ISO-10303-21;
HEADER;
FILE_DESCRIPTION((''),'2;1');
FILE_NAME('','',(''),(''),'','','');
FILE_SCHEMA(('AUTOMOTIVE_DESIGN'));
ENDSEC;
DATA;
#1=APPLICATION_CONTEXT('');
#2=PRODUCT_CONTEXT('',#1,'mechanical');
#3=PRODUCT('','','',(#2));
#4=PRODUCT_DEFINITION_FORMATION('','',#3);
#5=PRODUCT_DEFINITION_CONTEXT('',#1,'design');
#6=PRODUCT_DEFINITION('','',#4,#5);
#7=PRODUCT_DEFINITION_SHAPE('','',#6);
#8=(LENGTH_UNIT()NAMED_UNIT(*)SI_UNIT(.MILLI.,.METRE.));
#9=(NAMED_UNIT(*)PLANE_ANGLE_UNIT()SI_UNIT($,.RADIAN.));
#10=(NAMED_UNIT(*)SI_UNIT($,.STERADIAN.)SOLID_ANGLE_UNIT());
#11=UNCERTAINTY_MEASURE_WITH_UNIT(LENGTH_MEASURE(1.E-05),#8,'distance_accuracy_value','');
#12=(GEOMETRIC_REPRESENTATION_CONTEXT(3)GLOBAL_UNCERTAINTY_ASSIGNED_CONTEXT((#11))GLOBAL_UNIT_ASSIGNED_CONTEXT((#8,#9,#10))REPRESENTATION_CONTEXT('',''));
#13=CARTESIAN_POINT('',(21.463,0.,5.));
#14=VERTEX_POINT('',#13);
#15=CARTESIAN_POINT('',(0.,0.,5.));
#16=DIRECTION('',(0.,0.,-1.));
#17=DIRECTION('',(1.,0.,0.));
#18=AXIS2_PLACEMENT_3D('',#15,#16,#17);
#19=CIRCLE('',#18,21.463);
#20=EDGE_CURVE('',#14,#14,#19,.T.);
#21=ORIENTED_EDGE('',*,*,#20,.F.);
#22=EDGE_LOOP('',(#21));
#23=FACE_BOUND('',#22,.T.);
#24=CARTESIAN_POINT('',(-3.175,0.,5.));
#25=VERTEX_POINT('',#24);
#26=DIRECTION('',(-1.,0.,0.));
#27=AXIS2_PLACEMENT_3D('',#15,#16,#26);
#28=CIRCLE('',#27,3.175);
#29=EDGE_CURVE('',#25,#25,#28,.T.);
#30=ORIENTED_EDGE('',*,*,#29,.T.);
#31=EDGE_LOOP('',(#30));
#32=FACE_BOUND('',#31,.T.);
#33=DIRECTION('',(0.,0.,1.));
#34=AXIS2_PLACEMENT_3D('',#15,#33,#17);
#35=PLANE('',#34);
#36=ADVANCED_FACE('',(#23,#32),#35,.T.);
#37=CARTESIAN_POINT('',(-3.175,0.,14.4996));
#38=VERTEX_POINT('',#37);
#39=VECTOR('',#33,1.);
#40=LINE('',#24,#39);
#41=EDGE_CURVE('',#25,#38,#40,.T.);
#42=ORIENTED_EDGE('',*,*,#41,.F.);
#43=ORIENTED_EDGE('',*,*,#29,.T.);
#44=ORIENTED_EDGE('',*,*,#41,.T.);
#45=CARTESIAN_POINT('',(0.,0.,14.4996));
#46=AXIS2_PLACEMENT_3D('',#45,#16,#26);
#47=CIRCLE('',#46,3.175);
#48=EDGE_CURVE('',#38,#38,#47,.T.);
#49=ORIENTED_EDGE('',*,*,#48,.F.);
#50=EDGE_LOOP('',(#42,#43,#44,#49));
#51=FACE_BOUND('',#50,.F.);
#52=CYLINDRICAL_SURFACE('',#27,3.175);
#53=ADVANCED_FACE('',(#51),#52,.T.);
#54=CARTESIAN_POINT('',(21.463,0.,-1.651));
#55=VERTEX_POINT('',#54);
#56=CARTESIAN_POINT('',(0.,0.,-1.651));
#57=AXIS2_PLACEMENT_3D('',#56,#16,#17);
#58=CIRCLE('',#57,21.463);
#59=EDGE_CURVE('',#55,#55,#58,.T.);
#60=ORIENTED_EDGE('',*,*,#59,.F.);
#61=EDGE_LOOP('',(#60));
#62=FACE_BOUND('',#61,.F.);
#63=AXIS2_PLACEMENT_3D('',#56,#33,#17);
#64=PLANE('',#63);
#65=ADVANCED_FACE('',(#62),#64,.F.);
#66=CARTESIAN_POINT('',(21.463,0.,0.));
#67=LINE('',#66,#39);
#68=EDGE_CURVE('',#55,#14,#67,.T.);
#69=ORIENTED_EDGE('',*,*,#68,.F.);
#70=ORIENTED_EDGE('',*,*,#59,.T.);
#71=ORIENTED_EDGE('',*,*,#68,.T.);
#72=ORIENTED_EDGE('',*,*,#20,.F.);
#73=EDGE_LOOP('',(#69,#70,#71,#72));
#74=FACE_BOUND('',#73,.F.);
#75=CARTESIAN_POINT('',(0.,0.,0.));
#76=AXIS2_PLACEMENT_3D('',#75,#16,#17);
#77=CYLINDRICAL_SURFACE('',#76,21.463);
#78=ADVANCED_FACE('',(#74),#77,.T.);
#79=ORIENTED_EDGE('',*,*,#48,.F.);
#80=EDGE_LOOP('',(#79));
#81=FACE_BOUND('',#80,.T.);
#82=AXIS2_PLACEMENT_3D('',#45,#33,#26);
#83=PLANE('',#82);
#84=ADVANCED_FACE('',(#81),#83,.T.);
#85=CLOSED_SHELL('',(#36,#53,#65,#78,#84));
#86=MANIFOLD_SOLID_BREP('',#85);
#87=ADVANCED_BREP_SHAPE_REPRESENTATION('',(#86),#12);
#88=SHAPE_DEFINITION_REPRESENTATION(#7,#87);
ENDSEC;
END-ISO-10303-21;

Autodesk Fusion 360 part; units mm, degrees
sketch "Sketch1" plane through (0, 0, 0) normal (0, 0, 1) x (1, 0, 0)
  circle A0 centre (0, 0) radius 21.463
  dimension "d1" = 42.926
extrude "Extrude1" add sketch "Sketch1" along normal blind 5
sketch "Sketch2" plane through (0, 0, 5) normal (0, 0, 1) x (-1, 0, 0)
  circle A0 centre (0, 0) radius 21.463
  circle A1 centre (0, 0) radius 3.175
  dimension "d4" = 6.35
extrude "Extrude2" add sketch "Sketch2" along normal blind 9.4996 contours A1
thread "Thread1" thread offset 0 thread length 10.0076
move_face "OffsetFaces1" offset 1.651 1 faces at (1.0387, 4.551, 0)
equation "d5 = -0.385 in + 0.709 in + 0.05 in"
equation "d9 = 0.262 in - 0.197 in"
